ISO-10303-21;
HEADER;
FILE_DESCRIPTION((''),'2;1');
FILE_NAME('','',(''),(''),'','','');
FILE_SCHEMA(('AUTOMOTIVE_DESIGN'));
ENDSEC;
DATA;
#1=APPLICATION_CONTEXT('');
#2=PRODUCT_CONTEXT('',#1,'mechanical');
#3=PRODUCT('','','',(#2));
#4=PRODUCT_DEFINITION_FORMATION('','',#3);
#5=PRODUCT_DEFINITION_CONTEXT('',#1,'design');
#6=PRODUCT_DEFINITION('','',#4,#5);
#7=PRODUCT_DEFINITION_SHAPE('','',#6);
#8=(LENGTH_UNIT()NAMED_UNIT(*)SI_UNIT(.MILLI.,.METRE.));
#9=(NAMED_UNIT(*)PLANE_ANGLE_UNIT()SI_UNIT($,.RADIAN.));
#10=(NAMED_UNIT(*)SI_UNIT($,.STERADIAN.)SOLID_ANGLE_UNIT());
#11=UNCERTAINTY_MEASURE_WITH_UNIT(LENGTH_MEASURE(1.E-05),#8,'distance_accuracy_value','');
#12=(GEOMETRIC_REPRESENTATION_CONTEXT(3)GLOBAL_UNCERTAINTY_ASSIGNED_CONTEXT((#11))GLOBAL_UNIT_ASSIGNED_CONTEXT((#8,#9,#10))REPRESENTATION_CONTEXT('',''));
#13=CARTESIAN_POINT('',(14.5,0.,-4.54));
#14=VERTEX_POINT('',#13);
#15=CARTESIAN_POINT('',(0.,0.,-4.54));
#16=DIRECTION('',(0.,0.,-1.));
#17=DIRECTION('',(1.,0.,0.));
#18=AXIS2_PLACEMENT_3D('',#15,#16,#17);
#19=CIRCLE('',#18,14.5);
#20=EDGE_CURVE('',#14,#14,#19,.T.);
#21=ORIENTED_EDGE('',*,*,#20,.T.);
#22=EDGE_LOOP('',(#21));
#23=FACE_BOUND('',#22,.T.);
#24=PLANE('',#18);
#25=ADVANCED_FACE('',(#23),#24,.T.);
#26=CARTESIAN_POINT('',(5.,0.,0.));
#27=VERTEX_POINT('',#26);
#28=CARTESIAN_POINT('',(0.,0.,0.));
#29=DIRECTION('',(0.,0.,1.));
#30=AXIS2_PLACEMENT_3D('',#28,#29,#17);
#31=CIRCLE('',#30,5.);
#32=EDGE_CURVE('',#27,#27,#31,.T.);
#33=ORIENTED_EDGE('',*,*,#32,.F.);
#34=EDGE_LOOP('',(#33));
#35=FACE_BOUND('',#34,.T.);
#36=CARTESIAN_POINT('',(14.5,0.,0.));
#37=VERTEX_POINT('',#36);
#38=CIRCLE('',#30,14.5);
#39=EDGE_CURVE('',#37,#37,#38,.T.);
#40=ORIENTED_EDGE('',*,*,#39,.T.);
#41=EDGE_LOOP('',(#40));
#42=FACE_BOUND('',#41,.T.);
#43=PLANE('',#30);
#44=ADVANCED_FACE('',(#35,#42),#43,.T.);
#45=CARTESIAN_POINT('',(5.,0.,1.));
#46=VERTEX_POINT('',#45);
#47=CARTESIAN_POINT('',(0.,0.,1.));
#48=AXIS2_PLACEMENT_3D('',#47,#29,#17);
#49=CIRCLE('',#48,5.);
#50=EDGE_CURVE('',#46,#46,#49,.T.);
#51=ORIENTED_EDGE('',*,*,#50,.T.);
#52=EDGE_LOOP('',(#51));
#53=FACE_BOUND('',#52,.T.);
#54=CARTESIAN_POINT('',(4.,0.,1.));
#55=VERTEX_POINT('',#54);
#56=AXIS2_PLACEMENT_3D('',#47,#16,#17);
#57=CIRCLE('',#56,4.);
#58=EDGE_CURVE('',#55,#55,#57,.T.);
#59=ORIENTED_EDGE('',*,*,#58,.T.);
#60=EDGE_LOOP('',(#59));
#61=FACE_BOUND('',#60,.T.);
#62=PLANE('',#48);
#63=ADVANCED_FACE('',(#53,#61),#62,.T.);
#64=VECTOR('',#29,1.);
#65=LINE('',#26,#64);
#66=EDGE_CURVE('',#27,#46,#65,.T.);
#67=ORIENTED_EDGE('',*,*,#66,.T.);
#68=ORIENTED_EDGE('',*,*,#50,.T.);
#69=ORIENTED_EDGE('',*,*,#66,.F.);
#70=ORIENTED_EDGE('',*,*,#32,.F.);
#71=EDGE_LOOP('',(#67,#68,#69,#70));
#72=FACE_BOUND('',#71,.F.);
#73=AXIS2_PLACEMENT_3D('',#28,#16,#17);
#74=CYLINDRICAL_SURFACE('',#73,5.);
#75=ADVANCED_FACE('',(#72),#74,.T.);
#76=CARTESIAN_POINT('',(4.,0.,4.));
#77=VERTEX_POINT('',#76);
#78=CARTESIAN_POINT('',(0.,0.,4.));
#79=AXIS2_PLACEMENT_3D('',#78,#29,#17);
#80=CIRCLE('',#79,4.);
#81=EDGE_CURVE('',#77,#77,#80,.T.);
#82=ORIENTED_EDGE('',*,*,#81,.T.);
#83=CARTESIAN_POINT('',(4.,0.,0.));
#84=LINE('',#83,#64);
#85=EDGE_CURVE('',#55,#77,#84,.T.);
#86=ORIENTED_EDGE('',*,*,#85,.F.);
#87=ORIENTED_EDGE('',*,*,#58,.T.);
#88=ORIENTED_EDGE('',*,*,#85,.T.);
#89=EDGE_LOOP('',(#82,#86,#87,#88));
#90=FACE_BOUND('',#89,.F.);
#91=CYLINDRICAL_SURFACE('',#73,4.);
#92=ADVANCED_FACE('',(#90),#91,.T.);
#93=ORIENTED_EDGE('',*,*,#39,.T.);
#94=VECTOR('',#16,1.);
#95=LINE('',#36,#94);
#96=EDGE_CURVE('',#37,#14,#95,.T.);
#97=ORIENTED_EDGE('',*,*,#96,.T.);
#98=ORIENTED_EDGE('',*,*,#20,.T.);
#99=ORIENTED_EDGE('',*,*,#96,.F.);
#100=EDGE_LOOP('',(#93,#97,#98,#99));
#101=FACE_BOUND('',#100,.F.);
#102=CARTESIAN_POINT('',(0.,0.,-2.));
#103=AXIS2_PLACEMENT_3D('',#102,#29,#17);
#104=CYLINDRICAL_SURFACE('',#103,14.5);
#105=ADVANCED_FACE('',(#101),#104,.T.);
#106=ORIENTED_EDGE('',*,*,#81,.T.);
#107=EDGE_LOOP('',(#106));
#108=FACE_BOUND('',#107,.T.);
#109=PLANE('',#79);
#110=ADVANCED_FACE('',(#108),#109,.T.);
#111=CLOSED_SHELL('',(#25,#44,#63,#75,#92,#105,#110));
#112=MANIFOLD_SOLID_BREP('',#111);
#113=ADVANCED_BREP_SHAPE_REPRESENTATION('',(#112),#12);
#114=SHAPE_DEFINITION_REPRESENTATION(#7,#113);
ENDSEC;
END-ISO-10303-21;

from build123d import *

# Parameters (mm, degrees)
F0_R      = 4
F1_DEPTH  = 4
F2_R      = 14.5
F3_DEPTH  = 2
F4_R      = 5
F5_DEPTH  = 1
F3_FACE_R = 14.5
F6_DEPTH  = 2.54


with BuildPart() as f1:
    # F0 (on Top) → F1 (new body)
    with BuildSketch(Plane.XY):
        Circle(F0_R)
    extrude(amount=F1_DEPTH)

    # F2 (on Top) → F3 (join)
    with BuildSketch(Plane.XY):
        Circle(F2_R)
    extrude(amount=-F3_DEPTH)

    # F4 (on Top) → F5 (join)
    with BuildSketch(Plane.XY):
        Circle(F4_R)
    extrude(amount=F5_DEPTH)

    # F3_face (on face) → F6 (join)
    with BuildSketch(Plane(origin=(0, 0, -2), x_dir=(1, 0, 0), z_dir=(0, 0, -1))):
        Circle(F3_FACE_R)
    extrude(amount=F6_DEPTH)


solid = f1.part
